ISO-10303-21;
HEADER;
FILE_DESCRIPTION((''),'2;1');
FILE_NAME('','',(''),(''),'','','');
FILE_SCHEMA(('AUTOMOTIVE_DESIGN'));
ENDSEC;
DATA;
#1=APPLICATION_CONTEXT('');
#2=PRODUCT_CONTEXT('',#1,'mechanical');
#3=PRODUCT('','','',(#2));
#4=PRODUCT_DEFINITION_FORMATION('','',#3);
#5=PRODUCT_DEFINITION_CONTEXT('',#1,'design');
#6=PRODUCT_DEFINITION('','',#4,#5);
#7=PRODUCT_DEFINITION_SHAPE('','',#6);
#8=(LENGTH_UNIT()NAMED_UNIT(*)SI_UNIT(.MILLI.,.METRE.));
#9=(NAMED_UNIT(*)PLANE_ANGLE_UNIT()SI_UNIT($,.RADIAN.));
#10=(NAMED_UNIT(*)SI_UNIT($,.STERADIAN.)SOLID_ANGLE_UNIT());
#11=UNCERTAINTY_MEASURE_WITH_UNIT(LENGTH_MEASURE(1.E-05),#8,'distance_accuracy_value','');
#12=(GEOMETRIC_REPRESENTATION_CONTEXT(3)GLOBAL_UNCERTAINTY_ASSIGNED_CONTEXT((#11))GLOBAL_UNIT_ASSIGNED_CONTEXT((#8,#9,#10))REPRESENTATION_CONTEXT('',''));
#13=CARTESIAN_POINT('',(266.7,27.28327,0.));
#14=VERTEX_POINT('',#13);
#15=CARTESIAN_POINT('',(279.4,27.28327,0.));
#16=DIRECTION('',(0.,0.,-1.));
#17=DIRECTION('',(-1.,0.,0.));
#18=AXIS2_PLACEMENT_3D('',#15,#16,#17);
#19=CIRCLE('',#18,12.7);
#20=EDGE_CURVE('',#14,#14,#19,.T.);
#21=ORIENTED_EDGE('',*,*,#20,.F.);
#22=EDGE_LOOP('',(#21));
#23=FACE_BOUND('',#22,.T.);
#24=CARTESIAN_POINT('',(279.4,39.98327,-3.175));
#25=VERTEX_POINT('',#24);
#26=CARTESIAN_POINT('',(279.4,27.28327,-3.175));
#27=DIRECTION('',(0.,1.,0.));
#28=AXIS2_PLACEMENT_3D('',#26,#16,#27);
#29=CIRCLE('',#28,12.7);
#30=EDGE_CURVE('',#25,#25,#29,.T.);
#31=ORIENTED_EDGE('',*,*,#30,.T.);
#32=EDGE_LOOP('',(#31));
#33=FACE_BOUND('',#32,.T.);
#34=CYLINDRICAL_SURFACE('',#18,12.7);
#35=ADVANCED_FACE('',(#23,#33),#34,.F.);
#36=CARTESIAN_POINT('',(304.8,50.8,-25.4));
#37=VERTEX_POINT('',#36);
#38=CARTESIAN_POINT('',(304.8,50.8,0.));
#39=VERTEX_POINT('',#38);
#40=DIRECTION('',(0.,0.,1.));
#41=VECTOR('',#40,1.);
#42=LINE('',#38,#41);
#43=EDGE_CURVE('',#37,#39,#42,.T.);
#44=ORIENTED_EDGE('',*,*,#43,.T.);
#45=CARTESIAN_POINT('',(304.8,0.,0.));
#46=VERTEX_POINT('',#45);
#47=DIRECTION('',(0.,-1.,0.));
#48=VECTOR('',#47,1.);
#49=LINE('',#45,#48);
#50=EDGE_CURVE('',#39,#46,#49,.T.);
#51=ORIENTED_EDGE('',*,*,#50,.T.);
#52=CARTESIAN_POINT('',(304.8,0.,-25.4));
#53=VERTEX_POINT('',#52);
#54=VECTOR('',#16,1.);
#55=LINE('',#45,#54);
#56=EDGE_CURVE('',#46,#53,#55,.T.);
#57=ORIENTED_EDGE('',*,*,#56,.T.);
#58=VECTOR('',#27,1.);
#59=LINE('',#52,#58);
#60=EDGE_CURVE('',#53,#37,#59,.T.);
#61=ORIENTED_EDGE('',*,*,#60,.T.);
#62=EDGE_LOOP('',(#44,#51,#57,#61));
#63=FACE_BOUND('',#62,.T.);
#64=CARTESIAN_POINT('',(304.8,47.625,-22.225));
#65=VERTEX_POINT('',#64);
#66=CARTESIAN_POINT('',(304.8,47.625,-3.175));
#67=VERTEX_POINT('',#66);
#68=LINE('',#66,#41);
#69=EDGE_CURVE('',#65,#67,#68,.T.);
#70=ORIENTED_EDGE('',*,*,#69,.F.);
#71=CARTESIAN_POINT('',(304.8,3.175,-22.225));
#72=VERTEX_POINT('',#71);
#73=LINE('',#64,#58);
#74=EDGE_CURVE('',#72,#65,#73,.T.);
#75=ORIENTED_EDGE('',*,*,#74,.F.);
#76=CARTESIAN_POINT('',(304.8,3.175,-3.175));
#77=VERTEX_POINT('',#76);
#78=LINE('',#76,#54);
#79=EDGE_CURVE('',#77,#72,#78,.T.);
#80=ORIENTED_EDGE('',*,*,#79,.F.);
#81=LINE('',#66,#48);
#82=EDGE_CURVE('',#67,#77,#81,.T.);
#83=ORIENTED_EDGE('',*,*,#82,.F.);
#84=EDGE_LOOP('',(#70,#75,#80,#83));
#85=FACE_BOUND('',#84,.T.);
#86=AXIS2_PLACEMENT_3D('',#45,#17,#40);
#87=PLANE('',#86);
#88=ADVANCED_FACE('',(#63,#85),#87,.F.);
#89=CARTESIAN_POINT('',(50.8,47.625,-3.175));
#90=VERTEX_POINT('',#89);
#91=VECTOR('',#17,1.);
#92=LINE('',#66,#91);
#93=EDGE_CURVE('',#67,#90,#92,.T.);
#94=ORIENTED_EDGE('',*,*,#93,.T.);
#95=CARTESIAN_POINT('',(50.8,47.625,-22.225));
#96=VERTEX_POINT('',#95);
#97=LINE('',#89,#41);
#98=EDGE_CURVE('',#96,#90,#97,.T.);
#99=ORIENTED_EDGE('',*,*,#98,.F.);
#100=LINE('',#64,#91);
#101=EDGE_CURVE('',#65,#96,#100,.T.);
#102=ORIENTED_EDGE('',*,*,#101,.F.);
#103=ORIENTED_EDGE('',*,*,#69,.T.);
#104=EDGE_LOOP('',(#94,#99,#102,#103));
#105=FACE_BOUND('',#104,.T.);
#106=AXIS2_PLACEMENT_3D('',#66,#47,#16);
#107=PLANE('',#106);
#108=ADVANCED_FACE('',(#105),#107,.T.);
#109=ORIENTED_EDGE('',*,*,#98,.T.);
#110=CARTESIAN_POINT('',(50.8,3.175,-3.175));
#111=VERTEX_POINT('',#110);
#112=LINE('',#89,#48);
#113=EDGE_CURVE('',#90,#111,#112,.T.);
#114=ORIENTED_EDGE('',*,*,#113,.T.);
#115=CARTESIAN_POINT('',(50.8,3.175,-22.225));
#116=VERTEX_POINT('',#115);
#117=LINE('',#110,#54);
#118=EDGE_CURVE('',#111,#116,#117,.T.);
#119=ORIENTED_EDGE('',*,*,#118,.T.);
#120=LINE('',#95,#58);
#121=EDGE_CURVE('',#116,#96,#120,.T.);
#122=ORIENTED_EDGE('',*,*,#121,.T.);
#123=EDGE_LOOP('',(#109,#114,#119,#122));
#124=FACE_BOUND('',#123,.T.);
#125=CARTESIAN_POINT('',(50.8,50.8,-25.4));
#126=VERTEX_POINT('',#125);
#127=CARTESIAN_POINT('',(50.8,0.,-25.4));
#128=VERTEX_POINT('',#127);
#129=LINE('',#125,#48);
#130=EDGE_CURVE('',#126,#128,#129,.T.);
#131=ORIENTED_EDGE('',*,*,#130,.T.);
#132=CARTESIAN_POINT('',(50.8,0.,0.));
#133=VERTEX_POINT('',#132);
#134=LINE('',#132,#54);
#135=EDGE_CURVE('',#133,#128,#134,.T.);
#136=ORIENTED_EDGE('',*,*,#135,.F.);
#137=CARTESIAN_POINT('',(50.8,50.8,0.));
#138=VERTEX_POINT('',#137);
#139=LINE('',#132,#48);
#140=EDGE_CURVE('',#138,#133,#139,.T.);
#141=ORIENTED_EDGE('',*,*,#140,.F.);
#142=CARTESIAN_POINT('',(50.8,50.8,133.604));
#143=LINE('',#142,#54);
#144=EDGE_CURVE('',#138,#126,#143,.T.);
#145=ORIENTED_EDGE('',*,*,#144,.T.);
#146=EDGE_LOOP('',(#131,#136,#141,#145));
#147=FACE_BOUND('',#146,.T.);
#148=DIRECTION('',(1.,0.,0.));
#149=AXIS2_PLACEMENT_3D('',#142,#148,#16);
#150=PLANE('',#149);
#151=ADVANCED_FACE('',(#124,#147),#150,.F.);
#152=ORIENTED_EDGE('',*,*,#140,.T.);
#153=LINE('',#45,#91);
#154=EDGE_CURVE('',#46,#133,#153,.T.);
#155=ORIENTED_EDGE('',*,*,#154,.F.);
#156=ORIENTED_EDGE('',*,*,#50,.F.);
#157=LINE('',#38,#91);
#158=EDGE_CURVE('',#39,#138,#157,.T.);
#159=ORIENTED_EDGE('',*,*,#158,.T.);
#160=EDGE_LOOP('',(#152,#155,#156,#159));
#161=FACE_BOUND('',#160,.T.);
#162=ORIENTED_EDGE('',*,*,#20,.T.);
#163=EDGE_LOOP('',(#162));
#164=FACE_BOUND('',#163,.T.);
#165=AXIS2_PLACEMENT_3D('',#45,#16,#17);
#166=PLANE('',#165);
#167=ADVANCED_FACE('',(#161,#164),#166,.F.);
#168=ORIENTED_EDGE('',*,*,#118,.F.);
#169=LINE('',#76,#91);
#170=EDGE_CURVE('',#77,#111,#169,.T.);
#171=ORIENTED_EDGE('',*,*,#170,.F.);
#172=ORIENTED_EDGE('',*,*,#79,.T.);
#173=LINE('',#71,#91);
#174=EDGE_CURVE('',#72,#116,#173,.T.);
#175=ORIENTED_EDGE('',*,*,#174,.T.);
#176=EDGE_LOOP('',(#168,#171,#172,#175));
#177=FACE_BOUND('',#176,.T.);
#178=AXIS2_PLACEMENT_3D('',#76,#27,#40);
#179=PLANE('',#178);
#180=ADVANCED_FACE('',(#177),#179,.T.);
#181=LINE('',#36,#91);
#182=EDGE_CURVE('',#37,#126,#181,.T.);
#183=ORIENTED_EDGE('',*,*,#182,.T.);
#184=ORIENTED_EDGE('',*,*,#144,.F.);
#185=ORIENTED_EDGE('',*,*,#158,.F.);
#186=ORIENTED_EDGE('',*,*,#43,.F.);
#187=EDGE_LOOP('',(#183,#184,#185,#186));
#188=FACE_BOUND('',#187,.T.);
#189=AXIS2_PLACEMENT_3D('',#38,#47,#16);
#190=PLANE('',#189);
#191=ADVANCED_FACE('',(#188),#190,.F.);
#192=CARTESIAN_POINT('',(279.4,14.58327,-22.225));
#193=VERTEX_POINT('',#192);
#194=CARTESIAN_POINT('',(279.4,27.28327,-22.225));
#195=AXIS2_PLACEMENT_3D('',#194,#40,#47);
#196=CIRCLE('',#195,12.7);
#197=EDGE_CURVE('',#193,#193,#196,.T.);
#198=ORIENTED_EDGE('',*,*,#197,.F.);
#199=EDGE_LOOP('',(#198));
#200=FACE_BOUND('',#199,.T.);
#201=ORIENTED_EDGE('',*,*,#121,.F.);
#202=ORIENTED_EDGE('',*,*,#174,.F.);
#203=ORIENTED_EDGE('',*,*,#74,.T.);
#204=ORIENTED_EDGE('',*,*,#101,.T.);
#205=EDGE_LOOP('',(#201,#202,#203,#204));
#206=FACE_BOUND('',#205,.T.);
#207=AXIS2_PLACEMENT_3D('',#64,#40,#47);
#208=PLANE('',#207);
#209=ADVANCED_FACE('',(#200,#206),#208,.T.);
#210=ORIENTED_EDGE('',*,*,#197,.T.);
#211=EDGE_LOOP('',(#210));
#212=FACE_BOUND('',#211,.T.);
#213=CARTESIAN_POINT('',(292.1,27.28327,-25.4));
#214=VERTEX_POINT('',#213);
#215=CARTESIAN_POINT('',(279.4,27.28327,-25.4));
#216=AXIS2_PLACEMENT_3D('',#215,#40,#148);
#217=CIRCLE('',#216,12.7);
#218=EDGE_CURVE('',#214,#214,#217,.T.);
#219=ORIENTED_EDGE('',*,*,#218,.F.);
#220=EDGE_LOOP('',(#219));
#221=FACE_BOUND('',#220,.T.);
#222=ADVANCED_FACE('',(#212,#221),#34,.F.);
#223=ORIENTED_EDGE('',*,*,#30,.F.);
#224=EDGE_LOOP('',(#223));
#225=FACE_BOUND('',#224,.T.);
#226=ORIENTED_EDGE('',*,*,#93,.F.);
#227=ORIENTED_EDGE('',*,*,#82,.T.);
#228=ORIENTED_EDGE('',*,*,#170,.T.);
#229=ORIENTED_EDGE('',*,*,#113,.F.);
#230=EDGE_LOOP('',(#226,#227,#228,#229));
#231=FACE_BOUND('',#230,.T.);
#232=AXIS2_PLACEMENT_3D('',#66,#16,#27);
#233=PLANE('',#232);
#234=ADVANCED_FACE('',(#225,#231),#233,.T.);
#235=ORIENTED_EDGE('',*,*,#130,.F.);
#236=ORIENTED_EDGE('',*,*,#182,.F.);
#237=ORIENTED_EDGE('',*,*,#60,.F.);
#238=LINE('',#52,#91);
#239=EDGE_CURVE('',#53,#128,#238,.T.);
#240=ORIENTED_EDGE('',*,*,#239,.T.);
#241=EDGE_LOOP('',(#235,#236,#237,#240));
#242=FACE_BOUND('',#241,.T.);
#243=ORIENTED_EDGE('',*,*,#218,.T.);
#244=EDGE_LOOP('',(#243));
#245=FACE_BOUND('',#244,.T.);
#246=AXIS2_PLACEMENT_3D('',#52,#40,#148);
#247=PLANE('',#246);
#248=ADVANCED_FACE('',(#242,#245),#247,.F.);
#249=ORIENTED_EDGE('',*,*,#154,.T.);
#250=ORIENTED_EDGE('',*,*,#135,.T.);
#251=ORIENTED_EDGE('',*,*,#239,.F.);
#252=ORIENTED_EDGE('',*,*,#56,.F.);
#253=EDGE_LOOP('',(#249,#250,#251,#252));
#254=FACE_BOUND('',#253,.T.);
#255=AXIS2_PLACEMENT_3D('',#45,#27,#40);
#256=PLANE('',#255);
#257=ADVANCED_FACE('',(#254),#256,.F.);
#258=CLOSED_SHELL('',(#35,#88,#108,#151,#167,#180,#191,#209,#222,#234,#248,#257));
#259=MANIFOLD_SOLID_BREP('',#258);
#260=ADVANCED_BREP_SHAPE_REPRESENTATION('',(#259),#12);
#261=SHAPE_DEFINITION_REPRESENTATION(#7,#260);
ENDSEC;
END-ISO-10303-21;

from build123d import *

# Parameters (mm, degrees)
SKETCH1_W               = 25.4
SKETCH1_H               = 50.8
SKETCH1_W_2             = 19.05
SKETCH1_H_2             = 44.45
BOSS_EXTRUDE1_DEPTH     = 304.8
SKETCH2_R               = 12.7
CUT_EXTRUDE1_DEPTH      = 1
CUT_EXTRUDE1_DEPTH_BACK = 26.4
SKETCH3_W               = 50.8
SKETCH3_H               = 55.112369071
CUT_EXTRUDE2_DEPTH      = 159.004


with BuildPart() as part:
    # Sketch1 → Boss-Extrude1 (new body)
    with BuildSketch(Plane(origin=(0, 0, 0), x_dir=(0, 0, -1), z_dir=(1, 0, 0))):
        with Locations((12.7, 25.4)):
            Rectangle(SKETCH1_W, SKETCH1_H)
        with Locations((12.7, 25.4)):
            Rectangle(SKETCH1_W_2, SKETCH1_H_2, mode=Mode.SUBTRACT)
    extrude(amount=BOSS_EXTRUDE1_DEPTH)

    # Sketch2 → Cut-Extrude1 (cut, two sides)
    with BuildSketch(Plane(origin=(0, 0, -25.4), x_dir=(-1, 0, 0), z_dir=(0, 0, -1))) as cut_extrude1_sk:
        with Locations((-279.4, 27.283270028)):
            Circle(SKETCH2_R)
    extrude(amount=CUT_EXTRUDE1_DEPTH, mode=Mode.SUBTRACT)
    extrude(cut_extrude1_sk.sketch, amount=-CUT_EXTRUDE1_DEPTH_BACK, mode=Mode.SUBTRACT)

    # Sketch3 → Cut-Extrude2 (cut)
    with BuildSketch(Plane(origin=(0, 0, -25.4), x_dir=(-1, 0, 0), z_dir=(0, 0, -1))):
        with Locations((-25.4, 23.243815465)):
            Rectangle(SKETCH3_W, SKETCH3_H)
    extrude(amount=-CUT_EXTRUDE2_DEPTH, mode=Mode.SUBTRACT)


solid = part.part
